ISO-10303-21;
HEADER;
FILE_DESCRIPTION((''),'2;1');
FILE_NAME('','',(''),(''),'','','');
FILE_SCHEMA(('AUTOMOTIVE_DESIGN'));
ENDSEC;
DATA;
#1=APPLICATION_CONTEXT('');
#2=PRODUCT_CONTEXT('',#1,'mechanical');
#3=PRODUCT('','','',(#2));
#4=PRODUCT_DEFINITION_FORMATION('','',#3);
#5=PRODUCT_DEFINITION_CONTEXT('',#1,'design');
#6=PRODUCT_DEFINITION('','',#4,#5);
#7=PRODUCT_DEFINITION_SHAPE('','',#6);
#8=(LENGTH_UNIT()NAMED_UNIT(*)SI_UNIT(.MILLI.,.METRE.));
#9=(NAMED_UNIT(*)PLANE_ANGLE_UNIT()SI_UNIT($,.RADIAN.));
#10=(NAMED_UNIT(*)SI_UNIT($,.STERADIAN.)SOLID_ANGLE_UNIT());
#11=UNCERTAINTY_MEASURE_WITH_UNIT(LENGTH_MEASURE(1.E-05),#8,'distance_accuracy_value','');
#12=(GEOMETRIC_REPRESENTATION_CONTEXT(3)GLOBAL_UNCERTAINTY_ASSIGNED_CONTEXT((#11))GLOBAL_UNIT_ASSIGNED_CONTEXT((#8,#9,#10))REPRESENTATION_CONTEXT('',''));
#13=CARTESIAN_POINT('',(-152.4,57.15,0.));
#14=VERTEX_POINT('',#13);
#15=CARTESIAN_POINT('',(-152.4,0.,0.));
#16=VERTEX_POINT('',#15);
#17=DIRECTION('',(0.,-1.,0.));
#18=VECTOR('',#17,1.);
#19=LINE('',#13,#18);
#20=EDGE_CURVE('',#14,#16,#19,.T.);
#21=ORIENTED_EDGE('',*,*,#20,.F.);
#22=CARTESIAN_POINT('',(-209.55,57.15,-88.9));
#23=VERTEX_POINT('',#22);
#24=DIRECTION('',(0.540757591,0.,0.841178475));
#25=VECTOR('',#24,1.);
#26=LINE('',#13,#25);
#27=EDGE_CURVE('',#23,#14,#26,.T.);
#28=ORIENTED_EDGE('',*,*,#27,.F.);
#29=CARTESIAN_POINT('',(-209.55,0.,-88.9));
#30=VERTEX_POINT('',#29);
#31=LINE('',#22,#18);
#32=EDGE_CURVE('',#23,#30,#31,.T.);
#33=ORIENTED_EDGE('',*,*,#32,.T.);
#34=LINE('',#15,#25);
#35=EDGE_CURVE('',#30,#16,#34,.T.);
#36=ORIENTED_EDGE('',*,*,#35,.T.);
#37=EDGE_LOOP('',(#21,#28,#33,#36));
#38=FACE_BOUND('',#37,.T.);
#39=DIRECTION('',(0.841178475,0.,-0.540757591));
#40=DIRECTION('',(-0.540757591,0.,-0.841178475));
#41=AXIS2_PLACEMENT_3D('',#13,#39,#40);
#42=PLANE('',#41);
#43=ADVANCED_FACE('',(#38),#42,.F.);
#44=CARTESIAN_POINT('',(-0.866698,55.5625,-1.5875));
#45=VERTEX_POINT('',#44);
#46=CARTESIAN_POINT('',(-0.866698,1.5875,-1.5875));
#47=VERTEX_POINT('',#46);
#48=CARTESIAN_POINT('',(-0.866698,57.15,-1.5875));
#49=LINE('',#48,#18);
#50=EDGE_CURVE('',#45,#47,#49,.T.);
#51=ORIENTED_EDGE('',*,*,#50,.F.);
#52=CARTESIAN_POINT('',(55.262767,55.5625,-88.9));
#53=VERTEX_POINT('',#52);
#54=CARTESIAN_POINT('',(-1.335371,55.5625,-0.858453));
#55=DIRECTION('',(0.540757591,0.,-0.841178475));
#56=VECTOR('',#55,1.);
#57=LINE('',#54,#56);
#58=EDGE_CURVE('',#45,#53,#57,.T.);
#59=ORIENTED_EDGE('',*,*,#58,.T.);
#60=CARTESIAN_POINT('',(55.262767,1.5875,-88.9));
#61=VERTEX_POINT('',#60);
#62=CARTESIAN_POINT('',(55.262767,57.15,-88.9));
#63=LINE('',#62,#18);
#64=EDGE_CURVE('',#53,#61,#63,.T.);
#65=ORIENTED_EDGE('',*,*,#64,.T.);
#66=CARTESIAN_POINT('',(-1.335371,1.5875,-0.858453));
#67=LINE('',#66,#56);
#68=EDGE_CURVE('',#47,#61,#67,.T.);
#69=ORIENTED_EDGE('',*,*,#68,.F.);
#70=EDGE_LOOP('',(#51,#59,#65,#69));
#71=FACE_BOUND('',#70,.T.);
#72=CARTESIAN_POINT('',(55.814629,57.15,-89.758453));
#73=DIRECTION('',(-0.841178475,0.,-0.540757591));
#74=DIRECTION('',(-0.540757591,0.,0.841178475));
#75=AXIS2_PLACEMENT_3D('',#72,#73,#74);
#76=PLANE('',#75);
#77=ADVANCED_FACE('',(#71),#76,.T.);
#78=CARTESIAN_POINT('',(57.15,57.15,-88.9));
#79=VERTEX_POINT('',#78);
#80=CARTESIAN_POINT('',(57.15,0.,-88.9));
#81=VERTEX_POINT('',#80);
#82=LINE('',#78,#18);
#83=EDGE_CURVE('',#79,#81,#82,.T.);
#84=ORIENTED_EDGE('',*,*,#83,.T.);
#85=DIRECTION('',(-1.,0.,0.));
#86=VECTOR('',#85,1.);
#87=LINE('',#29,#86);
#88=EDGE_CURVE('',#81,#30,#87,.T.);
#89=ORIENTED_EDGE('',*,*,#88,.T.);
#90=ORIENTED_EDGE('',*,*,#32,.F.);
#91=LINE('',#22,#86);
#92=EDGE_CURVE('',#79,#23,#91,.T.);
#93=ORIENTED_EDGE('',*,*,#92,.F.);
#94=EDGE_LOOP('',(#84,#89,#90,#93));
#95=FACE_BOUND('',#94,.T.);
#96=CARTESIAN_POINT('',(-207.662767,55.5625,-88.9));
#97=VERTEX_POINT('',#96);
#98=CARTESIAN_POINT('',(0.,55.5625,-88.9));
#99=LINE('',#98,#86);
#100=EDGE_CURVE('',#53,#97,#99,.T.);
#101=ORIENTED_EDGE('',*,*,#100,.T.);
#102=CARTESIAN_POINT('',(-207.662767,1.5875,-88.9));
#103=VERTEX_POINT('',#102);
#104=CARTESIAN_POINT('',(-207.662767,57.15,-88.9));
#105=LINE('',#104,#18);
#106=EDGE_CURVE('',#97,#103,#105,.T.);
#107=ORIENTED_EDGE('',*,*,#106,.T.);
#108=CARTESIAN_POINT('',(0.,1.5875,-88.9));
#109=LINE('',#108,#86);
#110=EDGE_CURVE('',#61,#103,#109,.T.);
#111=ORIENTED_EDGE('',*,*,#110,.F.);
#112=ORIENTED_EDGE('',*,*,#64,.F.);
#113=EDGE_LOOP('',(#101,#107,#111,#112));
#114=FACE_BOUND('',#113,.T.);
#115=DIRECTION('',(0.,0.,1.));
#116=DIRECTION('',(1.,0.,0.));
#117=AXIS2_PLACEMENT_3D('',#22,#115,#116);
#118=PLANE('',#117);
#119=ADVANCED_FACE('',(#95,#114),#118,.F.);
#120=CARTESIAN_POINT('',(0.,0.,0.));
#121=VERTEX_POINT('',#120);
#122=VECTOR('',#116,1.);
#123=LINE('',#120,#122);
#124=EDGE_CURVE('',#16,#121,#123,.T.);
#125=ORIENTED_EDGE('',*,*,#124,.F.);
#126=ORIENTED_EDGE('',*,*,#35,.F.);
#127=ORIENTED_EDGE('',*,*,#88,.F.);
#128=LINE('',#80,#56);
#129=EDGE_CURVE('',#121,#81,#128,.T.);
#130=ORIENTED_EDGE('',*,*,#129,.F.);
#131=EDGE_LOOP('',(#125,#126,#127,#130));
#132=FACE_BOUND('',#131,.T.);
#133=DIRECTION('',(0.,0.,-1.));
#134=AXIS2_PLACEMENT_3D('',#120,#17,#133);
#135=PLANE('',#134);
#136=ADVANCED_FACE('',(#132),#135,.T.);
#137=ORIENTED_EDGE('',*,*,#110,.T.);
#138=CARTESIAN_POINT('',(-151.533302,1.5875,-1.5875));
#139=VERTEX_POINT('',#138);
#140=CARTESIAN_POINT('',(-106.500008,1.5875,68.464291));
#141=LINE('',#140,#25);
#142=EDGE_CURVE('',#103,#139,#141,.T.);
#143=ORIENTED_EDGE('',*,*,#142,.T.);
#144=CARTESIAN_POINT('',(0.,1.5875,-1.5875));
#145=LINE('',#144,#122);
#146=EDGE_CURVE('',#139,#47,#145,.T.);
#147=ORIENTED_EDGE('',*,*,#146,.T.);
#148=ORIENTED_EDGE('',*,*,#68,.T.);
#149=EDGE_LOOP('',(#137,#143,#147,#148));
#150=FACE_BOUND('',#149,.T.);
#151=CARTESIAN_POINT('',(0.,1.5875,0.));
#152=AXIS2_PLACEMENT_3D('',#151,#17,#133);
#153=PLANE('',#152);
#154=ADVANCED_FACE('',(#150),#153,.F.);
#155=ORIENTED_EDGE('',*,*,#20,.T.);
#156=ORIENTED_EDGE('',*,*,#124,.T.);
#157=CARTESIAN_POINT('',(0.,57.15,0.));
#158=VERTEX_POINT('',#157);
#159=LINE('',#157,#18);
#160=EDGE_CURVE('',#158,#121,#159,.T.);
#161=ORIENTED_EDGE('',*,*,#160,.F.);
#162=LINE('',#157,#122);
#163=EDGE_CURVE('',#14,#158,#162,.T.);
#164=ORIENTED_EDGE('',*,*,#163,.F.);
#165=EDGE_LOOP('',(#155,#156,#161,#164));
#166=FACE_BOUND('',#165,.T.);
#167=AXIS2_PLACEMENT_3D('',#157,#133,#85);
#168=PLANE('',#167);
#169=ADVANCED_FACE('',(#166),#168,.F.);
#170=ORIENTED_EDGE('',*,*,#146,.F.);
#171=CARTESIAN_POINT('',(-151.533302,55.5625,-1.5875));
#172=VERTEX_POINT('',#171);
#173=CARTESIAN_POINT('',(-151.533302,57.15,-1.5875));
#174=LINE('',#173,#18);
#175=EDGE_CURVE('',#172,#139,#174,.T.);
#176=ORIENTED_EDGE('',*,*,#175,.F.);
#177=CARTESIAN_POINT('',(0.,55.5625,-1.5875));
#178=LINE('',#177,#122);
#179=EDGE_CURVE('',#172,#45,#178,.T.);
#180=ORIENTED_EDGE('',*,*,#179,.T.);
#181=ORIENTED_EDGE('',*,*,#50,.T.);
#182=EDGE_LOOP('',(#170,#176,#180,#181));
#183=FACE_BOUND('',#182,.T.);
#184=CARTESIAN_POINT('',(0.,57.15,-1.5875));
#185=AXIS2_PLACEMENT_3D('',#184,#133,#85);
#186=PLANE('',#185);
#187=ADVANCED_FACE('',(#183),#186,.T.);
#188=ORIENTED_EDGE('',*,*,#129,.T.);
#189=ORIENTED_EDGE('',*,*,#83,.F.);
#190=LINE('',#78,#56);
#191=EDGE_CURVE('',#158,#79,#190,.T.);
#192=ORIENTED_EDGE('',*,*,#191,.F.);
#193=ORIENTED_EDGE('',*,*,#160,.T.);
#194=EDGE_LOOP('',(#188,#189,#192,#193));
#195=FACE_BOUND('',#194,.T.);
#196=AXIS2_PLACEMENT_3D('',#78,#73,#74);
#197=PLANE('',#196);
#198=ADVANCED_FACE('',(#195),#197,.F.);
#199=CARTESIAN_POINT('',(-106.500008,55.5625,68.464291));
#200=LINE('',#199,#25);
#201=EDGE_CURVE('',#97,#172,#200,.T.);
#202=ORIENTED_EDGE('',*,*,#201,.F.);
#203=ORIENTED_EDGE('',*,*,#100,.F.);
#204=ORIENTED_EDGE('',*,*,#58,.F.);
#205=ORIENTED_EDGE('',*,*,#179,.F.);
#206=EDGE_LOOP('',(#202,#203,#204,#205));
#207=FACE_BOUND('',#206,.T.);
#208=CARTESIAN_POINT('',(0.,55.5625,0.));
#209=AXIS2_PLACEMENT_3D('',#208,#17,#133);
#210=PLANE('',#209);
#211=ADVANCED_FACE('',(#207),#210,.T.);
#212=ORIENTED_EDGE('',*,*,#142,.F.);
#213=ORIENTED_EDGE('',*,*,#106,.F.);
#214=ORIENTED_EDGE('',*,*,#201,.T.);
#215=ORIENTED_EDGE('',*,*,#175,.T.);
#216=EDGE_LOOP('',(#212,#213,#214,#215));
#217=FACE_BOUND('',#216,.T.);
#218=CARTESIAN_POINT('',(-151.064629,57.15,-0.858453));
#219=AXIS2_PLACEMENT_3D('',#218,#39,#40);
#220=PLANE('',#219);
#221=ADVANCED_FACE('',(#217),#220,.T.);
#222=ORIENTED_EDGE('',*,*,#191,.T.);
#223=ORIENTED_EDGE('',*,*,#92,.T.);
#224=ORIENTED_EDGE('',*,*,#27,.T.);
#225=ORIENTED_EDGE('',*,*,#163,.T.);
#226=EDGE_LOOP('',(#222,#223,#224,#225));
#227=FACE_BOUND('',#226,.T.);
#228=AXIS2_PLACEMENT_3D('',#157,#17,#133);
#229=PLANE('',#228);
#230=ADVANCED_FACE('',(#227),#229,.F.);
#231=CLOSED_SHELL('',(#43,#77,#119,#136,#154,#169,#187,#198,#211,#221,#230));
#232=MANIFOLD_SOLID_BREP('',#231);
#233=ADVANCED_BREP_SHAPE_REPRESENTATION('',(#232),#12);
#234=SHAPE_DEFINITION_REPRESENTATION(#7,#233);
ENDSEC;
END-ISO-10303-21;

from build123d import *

# Parameters (mm, degrees)
BOSS_EXTRUDE1_DEPTH = 57.15
SHELL1_T            = -1.5875


with BuildPart() as part:
    # Sketch1 → Boss-Extrude1 (new body)
    with BuildSketch(Plane(origin=(0, 0, 0), x_dir=(1, 0, 0), z_dir=(0, 1, 0))):
        Polygon((0, 0), (-152.4, 0), (-209.55, 88.9), (57.15, 88.9), align=None)
    extrude(amount=BOSS_EXTRUDE1_DEPTH)

    # Shell1
    shell1_openings = [part.faces().sort_by_distance(p)[0] for p in [
        (-76.2, 28.575, -88.9),
    ]]
    offset(amount=SHELL1_T, openings=shell1_openings, kind=Kind.INTERSECTION)


solid = part.part
